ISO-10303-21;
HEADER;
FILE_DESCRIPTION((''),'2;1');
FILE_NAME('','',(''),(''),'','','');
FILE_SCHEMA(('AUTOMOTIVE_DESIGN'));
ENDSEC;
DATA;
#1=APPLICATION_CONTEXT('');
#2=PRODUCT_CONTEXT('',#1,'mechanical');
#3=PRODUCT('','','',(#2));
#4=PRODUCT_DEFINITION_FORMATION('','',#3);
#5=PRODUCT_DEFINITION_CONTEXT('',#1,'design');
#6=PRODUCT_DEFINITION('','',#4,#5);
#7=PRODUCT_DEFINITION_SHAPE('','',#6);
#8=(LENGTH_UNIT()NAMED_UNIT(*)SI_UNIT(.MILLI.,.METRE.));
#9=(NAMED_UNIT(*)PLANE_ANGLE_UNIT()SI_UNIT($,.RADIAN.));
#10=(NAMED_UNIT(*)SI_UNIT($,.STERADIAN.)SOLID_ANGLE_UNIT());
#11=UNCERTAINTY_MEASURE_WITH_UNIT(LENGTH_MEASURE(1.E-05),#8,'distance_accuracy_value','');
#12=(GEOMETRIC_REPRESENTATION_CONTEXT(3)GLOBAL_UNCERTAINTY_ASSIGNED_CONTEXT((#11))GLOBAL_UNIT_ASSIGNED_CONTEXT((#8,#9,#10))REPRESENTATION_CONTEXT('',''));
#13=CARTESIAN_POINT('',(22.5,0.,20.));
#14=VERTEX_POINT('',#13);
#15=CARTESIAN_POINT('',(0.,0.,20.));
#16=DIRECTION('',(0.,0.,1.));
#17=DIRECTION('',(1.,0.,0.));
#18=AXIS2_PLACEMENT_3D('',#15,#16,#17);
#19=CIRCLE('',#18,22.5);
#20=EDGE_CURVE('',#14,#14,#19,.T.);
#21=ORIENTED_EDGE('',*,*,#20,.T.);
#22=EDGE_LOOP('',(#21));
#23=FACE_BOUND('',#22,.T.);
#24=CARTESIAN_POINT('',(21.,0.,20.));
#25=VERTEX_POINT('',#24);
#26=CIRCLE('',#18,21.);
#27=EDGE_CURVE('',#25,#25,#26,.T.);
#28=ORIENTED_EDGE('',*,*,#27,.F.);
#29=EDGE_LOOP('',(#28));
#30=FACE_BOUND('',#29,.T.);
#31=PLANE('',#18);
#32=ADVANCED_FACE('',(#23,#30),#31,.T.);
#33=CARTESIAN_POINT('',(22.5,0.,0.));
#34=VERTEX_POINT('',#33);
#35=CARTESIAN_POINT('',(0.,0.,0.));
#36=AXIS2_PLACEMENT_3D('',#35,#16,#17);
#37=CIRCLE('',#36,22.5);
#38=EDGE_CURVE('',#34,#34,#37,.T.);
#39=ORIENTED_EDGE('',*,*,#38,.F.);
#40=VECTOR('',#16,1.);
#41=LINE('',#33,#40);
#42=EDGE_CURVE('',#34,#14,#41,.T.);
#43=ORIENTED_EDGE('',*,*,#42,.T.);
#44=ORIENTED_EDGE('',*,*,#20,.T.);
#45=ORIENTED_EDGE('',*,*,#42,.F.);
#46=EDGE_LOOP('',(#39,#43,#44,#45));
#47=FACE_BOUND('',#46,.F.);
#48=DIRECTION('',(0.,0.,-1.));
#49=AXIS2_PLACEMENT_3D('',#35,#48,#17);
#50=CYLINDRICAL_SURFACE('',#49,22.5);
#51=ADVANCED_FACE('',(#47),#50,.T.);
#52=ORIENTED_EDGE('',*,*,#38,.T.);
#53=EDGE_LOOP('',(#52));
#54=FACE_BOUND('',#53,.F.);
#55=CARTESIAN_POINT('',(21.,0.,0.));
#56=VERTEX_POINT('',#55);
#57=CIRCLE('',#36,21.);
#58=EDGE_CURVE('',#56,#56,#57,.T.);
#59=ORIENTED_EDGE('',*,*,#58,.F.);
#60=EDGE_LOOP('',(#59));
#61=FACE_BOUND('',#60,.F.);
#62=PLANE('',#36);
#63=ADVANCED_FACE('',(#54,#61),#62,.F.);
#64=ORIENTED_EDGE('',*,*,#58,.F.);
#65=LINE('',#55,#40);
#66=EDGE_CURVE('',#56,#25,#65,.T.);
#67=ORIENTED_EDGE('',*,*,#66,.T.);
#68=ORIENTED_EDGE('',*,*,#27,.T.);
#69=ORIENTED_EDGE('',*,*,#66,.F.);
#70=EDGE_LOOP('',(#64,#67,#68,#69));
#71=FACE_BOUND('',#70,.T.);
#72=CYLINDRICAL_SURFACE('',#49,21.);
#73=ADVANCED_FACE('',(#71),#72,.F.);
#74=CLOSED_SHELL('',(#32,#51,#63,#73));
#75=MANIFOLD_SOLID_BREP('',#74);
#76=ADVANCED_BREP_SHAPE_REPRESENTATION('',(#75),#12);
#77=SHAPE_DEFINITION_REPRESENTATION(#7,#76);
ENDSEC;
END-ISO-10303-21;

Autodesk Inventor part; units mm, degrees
ref_plane "YZ Plane" through (0, 0, 0) normal (1, 0, 0) x (0, 1, 0)
ref_plane "XZ Plane" through (0, 0, 0) normal (0, 1, 0) x (-1, 0, 0)
ref_plane "XY Plane" through (0, 0, 0) normal (0, 0, 1) x (1, 0, 0)
sketch "Sketch1" plane through (0, 0, 0) normal (0, 0, 1) x (1, 0, 0)
  circle A0 centre (0, 0) radius 21
  circle A1 centre (0, 0) radius 22.5
  dimension "d0" = 42
  dimension "d1" = 45
extrude "Extrusion1" add sketch "Sketch1" along normal blind 20
properties part number "Claw Piece"
